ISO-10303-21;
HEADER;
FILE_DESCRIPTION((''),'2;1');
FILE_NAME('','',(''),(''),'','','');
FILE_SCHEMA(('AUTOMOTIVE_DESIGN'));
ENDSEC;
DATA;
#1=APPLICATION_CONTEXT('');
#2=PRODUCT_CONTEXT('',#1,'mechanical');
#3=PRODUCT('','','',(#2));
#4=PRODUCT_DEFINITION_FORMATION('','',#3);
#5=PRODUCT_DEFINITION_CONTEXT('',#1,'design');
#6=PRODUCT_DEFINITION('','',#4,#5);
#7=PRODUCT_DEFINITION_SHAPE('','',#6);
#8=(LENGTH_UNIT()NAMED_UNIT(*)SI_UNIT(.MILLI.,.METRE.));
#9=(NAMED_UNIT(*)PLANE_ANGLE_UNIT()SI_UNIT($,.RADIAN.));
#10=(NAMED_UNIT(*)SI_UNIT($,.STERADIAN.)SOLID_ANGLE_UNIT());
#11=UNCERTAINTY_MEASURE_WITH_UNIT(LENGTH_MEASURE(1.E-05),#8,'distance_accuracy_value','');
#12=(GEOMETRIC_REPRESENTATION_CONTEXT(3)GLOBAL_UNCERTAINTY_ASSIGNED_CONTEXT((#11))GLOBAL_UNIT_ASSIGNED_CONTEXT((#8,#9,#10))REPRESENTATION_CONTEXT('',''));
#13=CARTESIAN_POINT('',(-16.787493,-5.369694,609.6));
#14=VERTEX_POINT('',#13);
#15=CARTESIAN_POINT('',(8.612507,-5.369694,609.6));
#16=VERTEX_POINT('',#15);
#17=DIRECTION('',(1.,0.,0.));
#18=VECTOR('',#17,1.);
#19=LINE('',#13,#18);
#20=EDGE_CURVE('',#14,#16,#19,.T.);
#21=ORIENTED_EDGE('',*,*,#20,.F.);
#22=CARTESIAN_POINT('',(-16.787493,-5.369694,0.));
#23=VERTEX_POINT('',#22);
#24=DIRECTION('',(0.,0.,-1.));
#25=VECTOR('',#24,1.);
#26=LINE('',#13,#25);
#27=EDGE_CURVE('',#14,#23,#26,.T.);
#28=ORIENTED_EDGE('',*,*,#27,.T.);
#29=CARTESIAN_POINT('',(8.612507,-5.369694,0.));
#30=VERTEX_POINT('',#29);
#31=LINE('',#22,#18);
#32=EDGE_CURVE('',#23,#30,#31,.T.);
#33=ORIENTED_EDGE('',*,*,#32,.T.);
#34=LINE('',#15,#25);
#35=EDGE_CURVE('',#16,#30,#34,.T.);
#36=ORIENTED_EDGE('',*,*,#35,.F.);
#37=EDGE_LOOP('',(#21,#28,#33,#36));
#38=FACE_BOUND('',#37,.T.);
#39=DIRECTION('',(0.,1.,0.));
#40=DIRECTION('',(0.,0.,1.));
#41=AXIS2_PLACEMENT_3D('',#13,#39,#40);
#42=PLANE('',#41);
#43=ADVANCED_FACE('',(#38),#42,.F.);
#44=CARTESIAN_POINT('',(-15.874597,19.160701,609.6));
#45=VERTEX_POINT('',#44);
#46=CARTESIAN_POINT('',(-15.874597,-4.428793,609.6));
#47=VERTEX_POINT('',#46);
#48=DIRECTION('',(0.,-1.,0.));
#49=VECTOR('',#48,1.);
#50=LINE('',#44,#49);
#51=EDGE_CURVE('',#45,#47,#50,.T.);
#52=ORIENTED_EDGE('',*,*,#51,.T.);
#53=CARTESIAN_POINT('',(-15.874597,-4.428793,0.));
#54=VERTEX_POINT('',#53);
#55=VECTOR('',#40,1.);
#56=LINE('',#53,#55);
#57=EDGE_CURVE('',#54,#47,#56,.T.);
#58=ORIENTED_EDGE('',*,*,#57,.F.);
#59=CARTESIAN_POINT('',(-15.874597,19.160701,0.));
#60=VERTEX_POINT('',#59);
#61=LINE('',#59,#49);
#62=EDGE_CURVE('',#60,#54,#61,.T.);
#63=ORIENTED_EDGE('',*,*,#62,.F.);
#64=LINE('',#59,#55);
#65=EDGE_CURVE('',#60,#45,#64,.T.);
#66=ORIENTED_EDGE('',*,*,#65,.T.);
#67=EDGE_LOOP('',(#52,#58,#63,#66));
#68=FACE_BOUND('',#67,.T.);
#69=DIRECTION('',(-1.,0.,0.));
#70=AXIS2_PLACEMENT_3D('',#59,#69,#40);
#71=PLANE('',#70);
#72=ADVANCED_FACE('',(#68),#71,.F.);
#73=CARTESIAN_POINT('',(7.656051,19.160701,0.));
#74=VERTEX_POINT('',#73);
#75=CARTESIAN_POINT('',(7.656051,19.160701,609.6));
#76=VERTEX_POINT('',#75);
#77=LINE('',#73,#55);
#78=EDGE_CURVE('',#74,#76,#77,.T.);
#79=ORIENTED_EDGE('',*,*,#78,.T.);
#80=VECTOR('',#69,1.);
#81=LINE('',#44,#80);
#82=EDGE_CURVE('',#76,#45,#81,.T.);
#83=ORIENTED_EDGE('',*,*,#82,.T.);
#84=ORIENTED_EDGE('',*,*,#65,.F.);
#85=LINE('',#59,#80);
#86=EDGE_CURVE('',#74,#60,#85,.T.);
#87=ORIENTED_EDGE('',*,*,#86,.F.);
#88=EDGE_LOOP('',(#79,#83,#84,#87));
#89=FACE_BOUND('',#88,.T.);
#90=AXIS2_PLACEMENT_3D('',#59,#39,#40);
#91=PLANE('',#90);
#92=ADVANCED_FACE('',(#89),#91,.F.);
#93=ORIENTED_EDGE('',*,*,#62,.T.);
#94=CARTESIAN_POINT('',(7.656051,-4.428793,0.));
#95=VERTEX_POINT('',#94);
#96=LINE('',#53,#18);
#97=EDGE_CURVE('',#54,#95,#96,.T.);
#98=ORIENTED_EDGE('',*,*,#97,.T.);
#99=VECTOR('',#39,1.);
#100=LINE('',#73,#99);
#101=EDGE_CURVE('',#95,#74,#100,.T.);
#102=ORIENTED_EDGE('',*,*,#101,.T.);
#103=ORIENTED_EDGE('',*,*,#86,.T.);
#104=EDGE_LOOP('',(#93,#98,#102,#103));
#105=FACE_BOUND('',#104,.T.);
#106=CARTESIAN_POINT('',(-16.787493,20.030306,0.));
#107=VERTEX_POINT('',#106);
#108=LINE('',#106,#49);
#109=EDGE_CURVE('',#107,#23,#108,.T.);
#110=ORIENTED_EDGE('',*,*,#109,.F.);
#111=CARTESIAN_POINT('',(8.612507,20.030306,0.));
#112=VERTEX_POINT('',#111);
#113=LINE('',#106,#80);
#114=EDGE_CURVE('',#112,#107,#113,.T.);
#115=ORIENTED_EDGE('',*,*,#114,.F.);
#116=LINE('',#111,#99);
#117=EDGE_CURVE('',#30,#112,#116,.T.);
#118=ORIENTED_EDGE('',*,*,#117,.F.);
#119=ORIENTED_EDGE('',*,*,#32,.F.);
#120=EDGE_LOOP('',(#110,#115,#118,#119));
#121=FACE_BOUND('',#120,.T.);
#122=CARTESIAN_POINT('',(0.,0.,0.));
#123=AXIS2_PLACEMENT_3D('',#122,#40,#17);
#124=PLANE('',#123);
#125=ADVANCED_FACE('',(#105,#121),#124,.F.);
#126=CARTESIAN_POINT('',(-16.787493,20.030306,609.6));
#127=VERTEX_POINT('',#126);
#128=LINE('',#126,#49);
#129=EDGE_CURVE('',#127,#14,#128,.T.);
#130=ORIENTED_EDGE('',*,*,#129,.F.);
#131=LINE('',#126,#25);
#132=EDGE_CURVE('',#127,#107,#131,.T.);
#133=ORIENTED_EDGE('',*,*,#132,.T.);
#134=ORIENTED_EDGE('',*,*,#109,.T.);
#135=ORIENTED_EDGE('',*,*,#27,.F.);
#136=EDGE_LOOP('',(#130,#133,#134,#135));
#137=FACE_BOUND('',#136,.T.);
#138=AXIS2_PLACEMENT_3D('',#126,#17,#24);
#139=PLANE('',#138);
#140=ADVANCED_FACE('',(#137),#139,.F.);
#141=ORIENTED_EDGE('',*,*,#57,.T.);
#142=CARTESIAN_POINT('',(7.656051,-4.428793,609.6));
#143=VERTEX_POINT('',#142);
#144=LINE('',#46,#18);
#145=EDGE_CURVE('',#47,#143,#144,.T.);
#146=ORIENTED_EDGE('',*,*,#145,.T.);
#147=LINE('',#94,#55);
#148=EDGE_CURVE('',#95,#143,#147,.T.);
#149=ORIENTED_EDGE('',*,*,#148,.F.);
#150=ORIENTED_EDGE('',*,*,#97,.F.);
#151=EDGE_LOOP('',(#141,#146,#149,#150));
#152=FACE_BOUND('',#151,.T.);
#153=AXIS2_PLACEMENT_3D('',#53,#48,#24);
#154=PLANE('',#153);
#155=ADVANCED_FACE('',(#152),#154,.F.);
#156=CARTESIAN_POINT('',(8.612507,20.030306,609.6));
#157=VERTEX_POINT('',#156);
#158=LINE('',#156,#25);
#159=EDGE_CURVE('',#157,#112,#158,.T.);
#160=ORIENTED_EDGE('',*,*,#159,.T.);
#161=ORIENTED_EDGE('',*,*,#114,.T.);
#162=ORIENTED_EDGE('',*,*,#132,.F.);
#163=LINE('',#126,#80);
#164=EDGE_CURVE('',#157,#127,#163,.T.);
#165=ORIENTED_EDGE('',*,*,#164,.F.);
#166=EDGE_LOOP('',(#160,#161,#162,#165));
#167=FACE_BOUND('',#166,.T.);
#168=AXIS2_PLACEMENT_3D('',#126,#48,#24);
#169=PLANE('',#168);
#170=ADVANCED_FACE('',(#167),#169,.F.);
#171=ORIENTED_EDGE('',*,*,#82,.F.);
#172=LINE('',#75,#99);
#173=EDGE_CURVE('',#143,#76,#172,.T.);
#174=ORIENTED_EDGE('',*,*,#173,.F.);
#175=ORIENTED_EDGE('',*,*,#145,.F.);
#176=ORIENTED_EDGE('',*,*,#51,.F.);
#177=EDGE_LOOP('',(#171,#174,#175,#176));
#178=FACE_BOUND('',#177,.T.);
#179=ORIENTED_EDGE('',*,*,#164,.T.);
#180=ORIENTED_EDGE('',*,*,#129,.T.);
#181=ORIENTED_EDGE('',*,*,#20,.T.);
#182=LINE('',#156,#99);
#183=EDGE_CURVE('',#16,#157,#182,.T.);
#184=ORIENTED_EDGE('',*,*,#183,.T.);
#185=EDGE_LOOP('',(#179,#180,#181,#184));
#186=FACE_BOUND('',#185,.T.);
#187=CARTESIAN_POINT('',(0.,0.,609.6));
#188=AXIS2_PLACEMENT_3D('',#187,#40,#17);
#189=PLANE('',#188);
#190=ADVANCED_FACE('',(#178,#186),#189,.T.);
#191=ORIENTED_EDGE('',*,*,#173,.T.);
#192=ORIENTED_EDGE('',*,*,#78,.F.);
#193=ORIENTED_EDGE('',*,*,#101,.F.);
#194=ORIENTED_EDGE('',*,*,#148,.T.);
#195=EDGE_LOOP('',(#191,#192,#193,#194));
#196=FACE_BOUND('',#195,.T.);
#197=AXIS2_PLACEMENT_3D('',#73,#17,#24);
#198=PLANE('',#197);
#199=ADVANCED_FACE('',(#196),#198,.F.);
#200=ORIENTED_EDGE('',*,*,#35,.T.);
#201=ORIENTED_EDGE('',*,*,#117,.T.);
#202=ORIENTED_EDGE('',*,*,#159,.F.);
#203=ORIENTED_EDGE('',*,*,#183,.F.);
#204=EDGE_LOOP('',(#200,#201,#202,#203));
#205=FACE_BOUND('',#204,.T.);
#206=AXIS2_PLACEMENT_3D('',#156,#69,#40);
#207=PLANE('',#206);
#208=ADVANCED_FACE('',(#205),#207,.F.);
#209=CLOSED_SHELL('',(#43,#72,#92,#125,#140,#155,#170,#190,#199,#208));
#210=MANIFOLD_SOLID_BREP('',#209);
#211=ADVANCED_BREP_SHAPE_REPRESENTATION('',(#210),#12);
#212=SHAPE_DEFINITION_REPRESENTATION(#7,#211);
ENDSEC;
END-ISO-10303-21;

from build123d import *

# Parameters (mm, degrees)
SKETCH_1_W          = 25.4
SKETCH_1_H          = 25.4
EXTRUDE_1_DEPTH     = 609.6
SKETCH_2_W          = 23.530648384
SKETCH_2_H          = 23.589493471
CUT_EXTRUDE_1_DEPTH = 609.6


with BuildPart() as part:
    # 草图1 → 凸台-拉伸1 (new body)
    with BuildSketch(Plane.XY):
        with Locations((-4.087493482, 7.330306081)):
            Rectangle(SKETCH_1_W, SKETCH_1_H)
    extrude(amount=EXTRUDE_1_DEPTH)

    # 草图2 → 切除-拉伸1 (cut)
    with BuildSketch(Plane.XY.offset(609.6)):
        with Locations((-4.109272983, 7.365954195)):
            Rectangle(SKETCH_2_W, SKETCH_2_H)
    extrude(amount=-CUT_EXTRUDE_1_DEPTH, mode=Mode.SUBTRACT)


solid = part.part
